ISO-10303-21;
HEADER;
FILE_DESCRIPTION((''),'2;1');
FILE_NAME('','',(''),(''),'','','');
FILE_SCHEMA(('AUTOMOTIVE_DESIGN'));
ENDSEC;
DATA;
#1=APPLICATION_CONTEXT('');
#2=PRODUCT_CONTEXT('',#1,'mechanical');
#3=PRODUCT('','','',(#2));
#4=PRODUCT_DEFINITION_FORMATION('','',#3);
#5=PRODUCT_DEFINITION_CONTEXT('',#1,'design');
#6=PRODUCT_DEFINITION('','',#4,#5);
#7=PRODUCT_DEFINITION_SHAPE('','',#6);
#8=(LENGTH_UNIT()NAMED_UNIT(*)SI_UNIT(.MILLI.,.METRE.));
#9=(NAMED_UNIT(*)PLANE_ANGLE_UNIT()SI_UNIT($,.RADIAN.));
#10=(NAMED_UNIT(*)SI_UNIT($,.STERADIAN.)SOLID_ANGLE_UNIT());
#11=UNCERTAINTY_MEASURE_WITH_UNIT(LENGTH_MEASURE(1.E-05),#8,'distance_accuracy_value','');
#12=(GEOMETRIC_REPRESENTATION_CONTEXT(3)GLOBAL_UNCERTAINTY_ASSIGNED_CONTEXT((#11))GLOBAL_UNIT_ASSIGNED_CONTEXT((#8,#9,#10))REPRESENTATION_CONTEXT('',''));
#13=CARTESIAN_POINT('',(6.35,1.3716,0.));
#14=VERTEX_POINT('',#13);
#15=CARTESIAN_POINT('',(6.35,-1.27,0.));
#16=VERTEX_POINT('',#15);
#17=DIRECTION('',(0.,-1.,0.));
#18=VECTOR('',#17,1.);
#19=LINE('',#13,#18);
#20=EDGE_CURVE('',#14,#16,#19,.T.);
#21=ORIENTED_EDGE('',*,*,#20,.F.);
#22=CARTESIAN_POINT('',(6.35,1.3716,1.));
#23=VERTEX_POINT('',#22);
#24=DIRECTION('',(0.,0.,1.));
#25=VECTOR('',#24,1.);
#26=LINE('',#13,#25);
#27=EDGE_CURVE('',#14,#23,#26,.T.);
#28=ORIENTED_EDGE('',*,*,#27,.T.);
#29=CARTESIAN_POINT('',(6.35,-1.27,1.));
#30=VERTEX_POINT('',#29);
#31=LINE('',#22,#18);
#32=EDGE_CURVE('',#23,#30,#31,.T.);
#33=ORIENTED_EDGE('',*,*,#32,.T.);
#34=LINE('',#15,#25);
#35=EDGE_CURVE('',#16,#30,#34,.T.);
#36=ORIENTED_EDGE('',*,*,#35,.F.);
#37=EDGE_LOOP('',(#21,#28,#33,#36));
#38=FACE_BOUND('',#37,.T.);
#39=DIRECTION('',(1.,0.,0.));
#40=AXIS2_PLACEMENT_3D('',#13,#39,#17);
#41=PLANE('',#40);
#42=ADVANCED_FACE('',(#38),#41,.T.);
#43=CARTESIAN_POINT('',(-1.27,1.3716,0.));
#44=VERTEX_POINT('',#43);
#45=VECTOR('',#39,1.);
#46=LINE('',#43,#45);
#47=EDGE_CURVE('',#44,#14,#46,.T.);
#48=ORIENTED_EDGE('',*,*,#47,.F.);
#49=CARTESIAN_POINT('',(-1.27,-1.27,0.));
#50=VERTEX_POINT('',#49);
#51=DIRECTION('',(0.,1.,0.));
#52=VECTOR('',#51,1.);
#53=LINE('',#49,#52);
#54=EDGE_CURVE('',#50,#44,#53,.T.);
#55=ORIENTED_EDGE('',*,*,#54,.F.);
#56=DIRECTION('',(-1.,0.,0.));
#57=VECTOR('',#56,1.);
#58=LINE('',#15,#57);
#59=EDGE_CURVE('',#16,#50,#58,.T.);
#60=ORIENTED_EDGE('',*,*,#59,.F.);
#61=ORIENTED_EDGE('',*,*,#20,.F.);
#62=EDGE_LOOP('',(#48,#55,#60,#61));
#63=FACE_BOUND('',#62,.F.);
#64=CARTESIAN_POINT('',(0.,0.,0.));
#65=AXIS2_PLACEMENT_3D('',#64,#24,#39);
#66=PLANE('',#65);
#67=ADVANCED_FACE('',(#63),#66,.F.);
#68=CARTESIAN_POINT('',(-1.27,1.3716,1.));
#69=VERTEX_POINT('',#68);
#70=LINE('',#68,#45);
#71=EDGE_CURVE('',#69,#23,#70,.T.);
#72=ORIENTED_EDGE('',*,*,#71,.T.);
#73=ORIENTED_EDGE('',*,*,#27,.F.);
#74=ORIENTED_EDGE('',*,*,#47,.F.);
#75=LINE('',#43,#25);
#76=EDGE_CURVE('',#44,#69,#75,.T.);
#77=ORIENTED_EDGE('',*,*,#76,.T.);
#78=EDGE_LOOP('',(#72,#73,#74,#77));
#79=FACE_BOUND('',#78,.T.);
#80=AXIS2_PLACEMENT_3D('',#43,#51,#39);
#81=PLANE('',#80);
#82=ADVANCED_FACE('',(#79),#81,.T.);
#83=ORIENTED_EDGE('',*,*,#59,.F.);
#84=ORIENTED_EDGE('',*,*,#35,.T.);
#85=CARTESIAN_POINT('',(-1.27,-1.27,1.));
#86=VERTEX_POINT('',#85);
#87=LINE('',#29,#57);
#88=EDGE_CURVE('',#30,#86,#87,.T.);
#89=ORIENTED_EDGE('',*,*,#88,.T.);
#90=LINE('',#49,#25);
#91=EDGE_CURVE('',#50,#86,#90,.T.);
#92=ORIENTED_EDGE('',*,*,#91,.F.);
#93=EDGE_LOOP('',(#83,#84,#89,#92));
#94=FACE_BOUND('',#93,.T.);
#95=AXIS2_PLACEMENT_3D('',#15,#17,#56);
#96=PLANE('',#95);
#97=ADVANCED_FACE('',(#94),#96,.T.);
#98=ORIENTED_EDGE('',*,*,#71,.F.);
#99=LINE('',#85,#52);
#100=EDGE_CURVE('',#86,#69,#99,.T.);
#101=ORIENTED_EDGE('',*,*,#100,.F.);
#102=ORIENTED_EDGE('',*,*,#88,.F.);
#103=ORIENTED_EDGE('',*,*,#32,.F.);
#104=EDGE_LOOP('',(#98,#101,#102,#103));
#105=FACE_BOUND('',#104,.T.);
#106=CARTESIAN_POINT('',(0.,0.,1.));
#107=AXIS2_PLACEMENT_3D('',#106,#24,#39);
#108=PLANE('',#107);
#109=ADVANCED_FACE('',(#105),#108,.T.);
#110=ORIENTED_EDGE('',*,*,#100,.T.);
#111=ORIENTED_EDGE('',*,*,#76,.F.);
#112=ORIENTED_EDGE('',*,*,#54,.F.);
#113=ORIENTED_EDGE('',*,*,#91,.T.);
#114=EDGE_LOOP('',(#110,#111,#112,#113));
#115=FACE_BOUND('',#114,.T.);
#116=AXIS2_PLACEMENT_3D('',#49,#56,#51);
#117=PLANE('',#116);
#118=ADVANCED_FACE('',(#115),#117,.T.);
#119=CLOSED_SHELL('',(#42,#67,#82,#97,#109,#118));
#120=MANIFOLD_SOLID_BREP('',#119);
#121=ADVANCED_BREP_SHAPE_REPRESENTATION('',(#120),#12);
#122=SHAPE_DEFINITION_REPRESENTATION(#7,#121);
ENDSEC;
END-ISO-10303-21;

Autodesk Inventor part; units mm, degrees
ref_plane "YZ Plane" through (0, 0, 0) normal (1, 0, 0) x (0, 1, 0)
ref_plane "XZ Plane" through (0, 0, 0) normal (0, 1, 0) x (-1, 0, 0)
ref_plane "XY Plane" through (0, 0, 0) normal (0, 0, 1) x (1, 0, 0)
sketch "1X03, JP2B_1X03_75" plane through (0, 0, 0) normal (0, 0, 1) x (1, 0, 0)
  line L0 (-1.27, 1.3716) -> (6.35, 1.3716)
  line L1 (6.35, 1.3716) -> (6.35, -1.27)
  line L2 (6.35, -1.27) -> (-1.27, -1.27)
  line L3 (-1.27, -1.27) -> (-1.27, 1.3716)
extrude "Extrusion1" add sketch "1X03, JP2B_1X03_75" along normal blind 1
properties part number "JP2B_1X03"
